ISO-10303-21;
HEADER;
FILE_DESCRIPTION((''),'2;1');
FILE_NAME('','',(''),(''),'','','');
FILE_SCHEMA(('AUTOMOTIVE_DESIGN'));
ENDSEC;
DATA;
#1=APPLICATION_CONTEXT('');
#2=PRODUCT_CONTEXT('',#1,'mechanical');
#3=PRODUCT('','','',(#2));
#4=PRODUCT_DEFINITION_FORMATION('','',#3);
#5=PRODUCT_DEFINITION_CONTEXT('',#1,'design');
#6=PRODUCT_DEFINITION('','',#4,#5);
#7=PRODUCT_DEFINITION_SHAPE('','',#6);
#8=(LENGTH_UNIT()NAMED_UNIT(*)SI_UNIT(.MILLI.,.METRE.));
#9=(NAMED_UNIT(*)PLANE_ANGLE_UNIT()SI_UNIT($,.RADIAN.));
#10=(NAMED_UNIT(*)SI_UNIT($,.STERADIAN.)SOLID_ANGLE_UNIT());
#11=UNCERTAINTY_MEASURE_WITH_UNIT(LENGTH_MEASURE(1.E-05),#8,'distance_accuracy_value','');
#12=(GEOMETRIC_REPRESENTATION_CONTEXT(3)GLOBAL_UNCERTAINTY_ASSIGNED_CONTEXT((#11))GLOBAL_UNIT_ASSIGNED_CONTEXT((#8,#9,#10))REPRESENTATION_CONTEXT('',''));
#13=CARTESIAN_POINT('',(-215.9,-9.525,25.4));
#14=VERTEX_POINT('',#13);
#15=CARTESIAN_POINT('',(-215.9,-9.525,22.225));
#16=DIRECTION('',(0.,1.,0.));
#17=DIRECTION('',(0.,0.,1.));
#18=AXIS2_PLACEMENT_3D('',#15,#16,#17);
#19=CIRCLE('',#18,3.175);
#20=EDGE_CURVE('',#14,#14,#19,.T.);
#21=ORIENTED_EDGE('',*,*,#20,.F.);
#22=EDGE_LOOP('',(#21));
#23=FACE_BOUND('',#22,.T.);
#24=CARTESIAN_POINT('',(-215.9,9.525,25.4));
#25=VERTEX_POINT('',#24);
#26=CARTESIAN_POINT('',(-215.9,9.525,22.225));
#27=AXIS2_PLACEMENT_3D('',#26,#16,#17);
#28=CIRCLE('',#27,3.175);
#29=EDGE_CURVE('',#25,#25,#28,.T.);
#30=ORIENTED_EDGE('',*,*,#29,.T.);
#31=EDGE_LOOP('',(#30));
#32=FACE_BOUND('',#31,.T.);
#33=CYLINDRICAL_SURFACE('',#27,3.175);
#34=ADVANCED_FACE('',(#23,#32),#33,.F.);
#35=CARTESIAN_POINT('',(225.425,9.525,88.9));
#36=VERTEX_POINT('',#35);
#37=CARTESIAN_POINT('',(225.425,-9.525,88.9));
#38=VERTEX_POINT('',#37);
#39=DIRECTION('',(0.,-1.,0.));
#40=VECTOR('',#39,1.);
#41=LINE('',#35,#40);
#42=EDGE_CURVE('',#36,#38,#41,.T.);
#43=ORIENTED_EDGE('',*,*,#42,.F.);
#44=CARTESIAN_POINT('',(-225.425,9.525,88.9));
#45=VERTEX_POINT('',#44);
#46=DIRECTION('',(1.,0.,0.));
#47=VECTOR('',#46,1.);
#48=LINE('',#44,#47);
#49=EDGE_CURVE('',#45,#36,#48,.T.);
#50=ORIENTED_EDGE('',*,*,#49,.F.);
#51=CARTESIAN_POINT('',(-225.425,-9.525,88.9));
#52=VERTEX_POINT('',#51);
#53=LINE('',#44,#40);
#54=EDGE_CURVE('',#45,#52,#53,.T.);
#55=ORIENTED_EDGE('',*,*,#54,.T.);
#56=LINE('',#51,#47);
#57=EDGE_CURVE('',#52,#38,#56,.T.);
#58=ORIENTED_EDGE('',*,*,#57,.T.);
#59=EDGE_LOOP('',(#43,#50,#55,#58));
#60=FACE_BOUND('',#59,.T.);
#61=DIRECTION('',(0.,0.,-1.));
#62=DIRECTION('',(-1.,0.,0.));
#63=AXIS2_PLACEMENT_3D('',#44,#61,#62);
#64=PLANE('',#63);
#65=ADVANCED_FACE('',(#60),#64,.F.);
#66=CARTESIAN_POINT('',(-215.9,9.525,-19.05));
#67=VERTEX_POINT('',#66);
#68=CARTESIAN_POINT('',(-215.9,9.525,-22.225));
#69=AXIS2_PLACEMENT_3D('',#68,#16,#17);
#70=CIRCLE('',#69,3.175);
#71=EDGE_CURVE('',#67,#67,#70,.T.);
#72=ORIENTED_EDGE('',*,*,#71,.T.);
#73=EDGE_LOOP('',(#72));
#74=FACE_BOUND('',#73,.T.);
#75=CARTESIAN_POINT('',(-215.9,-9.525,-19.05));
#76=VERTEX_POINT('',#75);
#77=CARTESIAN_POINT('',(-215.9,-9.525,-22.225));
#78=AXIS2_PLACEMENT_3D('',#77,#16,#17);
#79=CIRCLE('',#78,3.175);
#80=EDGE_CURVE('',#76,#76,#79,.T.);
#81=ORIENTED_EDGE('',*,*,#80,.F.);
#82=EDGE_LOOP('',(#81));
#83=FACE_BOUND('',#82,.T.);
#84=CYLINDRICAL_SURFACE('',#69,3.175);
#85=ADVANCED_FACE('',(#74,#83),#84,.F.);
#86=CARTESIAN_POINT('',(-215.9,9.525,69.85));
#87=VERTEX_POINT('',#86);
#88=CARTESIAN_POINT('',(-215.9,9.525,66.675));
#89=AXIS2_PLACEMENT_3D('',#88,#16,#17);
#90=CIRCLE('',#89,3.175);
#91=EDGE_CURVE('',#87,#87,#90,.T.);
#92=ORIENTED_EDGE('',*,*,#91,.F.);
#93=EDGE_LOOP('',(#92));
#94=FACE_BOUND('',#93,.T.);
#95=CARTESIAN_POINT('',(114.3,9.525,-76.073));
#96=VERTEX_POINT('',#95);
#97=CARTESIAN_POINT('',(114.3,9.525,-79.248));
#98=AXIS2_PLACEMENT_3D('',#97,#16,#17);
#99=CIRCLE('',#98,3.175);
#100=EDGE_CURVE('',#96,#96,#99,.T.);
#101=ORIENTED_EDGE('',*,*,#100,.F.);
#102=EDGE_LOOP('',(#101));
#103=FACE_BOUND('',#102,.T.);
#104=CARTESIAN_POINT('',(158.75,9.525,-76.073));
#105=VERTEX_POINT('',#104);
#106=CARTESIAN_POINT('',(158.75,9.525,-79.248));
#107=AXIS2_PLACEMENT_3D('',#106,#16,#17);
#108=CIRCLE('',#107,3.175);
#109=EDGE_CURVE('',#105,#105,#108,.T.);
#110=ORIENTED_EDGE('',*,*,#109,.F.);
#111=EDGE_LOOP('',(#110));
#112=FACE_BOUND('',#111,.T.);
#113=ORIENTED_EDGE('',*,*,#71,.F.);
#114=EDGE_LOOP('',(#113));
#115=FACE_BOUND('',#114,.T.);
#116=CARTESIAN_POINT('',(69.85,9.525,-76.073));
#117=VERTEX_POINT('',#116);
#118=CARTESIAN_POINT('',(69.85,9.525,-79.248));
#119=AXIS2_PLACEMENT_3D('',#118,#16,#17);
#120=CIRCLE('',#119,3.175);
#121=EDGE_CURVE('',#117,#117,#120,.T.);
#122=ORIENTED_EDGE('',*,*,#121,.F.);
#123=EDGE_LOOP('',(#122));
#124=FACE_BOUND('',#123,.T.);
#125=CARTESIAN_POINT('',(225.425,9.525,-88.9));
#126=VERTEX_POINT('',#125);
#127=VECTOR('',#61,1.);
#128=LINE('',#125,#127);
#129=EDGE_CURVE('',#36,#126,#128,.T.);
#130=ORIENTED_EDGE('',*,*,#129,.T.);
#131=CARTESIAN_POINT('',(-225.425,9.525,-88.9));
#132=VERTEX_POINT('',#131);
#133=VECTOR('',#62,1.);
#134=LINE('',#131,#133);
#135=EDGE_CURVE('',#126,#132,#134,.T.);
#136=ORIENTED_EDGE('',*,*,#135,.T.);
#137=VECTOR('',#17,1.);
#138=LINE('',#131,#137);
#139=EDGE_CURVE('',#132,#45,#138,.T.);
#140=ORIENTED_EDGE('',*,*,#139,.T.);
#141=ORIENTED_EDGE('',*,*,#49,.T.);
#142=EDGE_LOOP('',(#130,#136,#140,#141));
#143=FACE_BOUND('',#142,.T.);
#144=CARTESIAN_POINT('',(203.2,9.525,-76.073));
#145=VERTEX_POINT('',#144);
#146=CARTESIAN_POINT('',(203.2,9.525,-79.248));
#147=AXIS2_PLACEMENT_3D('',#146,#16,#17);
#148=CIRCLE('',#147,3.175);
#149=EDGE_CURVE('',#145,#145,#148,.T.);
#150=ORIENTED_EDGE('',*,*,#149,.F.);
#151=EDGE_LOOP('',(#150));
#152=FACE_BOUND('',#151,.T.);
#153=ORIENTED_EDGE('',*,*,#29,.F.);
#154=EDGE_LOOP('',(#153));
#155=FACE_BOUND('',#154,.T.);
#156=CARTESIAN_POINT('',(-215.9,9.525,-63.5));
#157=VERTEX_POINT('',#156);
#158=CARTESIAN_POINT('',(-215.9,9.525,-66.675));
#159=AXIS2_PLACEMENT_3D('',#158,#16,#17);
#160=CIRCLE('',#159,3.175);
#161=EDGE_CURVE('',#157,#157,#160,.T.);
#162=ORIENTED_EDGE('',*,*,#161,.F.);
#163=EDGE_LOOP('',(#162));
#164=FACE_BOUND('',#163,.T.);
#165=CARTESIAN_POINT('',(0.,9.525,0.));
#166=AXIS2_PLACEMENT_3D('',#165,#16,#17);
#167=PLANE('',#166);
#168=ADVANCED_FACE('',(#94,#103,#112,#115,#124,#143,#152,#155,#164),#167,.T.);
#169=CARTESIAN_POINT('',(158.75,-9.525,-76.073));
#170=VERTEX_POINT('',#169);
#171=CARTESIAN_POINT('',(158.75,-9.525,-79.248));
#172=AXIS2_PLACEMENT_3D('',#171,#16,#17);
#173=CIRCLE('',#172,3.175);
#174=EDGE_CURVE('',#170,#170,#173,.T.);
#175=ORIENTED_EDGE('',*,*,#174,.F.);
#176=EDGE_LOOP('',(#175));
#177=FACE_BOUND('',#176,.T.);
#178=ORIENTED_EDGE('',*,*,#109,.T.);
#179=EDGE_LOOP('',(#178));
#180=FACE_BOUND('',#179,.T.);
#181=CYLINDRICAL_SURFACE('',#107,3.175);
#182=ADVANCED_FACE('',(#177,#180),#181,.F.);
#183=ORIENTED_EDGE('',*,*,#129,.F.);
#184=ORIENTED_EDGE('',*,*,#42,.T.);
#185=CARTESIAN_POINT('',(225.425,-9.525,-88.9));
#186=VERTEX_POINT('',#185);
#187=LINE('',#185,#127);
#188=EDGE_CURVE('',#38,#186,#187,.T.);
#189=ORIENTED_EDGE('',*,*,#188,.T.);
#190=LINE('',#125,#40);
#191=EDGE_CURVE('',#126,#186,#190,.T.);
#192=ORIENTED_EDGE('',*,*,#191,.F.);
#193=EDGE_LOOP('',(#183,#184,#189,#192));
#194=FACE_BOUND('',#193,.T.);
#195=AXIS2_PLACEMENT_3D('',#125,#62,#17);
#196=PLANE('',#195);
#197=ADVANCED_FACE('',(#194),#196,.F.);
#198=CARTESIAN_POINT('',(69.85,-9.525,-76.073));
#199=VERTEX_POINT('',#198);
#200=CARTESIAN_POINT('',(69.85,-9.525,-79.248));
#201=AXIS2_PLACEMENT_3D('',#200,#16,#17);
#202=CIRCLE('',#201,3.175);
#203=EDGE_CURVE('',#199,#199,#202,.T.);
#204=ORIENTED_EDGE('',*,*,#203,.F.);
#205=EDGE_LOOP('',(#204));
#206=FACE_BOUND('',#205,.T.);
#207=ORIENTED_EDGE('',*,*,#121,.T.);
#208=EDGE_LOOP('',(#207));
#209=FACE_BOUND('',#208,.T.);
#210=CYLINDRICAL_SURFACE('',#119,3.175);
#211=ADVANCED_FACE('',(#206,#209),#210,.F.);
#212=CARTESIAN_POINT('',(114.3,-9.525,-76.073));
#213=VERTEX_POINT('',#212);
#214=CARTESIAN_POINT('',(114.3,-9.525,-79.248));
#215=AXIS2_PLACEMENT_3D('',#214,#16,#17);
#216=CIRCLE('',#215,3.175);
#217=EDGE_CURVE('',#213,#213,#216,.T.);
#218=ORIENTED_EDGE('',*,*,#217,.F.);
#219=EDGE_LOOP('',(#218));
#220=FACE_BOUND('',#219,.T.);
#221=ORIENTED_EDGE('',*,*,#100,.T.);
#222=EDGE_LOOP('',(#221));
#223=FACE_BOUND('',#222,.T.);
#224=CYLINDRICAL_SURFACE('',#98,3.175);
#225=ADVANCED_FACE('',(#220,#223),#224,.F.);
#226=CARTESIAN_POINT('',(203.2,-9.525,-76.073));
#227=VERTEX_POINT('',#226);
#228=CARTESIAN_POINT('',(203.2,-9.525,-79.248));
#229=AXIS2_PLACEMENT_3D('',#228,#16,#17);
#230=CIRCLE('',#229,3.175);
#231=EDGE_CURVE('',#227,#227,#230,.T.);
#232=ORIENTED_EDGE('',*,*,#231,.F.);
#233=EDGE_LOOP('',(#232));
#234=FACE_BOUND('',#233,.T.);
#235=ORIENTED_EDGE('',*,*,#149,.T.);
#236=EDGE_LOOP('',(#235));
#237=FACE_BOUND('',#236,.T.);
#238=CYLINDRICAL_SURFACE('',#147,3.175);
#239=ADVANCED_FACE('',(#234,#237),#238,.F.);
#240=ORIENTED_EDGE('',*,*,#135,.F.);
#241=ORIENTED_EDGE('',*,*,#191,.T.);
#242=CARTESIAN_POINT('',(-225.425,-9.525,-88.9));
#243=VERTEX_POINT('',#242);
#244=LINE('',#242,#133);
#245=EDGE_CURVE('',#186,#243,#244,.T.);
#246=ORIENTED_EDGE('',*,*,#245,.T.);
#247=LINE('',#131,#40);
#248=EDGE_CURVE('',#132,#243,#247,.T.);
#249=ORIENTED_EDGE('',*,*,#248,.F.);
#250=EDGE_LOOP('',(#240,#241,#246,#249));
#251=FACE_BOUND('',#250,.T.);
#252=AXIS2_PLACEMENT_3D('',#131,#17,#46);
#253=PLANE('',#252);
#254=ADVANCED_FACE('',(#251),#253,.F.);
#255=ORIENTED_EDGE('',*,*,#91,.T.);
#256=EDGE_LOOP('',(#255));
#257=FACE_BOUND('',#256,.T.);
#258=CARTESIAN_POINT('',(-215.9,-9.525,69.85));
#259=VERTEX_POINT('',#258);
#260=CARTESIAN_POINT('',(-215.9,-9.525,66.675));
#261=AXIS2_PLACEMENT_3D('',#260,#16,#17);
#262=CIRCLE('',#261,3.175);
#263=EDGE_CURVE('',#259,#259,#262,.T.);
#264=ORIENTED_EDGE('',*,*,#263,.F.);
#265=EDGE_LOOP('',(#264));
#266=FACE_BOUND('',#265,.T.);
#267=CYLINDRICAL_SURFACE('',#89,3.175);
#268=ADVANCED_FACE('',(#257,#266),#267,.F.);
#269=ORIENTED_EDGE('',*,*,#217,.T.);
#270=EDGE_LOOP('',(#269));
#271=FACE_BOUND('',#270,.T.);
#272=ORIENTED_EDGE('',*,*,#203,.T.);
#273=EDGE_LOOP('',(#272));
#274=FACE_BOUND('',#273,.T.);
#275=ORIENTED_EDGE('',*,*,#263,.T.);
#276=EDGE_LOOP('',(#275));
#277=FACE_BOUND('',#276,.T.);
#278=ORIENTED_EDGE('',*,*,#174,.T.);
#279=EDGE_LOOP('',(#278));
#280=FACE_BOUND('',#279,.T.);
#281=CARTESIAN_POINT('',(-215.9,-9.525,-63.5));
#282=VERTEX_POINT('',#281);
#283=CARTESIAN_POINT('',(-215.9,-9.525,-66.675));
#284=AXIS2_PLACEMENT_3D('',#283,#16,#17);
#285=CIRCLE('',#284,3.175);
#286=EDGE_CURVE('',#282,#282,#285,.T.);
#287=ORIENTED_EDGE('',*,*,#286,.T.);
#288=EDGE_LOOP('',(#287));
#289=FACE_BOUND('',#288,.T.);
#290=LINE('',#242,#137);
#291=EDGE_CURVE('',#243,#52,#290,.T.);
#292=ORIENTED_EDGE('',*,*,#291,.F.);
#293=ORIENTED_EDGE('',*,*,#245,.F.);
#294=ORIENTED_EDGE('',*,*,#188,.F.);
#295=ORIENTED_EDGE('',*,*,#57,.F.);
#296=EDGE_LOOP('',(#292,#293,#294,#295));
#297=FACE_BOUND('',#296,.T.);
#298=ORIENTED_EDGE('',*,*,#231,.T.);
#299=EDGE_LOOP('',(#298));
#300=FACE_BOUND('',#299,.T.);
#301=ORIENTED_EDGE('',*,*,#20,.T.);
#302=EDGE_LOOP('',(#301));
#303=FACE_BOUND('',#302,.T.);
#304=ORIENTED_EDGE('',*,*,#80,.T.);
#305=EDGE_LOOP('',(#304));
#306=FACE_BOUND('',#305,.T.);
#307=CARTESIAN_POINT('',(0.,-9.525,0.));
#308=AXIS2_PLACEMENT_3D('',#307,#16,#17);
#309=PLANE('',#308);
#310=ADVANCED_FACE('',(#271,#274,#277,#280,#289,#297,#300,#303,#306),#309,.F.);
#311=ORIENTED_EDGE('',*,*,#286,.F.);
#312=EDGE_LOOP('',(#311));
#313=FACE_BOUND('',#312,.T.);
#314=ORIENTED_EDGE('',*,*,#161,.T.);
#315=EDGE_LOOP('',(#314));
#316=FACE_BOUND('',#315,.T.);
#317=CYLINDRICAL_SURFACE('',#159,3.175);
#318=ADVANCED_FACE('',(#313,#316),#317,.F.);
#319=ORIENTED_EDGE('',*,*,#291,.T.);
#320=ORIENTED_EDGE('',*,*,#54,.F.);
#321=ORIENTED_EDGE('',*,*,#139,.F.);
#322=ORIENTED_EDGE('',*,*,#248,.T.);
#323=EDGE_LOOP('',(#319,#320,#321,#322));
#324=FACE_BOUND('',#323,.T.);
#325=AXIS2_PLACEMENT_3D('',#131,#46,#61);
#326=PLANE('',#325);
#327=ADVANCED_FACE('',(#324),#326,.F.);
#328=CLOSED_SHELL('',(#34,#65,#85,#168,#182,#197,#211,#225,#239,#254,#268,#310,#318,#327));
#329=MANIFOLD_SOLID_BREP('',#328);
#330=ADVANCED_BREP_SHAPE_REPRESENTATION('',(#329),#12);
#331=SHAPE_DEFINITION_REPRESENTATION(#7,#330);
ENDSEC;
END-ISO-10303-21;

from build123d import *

# Parameters (mm, degrees)
SKETCH1_W                       = 450.85
SKETCH1_H                       = 177.8
BOSS_EXTRUDE1_DEPTH             = 9.525
F_1_4_0_25_DIAMETER_HOLE2_D     = 6.35
F_1_4_0_25_DIAMETER_HOLE2_DEPTH = 25.4
F_1_4_0_25_DIAMETER_HOLE2_TIP   = 1.907732465
F_1_4_0_25_DIAMETER_HOLE3_D     = 6.35
F_1_4_0_25_DIAMETER_HOLE3_DEPTH = 25.4
F_1_4_0_25_DIAMETER_HOLE3_TIP   = 1.907732465


with BuildPart() as part:
    # Sketch1 → Boss-Extrude1 (new body, symmetric)
    with BuildSketch(Plane(origin=(0, 0, 0), x_dir=(1, 0, 0), z_dir=(0, 1, 0))):
        Rectangle(SKETCH1_W, SKETCH1_H)
    extrude(amount=BOSS_EXTRUDE1_DEPTH, both=True)

    # 1/4 (0.25) Diameter Hole2
    with Locations(Plane(origin=(0, 9.525, 0), x_dir=(1, 0, 0), z_dir=(0, 1, 0))):
        with Locations((-215.9, 66.675), (-215.9, 22.225), (-215.9, -22.225), (-215.9, -66.675)):
            Hole(F_1_4_0_25_DIAMETER_HOLE2_D / 2, depth=F_1_4_0_25_DIAMETER_HOLE2_DEPTH)
            with Locations((0, 0, -(F_1_4_0_25_DIAMETER_HOLE2_DEPTH + F_1_4_0_25_DIAMETER_HOLE2_TIP / 2))):  # 118° drill point
                Cone(0, F_1_4_0_25_DIAMETER_HOLE2_D / 2, F_1_4_0_25_DIAMETER_HOLE2_TIP, mode=Mode.SUBTRACT)

    # 1/4 (0.25) Diameter Hole3
    with Locations(Plane(origin=(0, 9.525, 0), x_dir=(1, 0, 0), z_dir=(0, 1, 0))):
        with Locations((203.2, 79.248), (158.75, 79.248), (114.3, 79.248), (69.85, 79.248)):
            Hole(F_1_4_0_25_DIAMETER_HOLE3_D / 2, depth=F_1_4_0_25_DIAMETER_HOLE3_DEPTH)
            with Locations((0, 0, -(F_1_4_0_25_DIAMETER_HOLE3_DEPTH + F_1_4_0_25_DIAMETER_HOLE3_TIP / 2))):  # 118° drill point
                Cone(0, F_1_4_0_25_DIAMETER_HOLE3_D / 2, F_1_4_0_25_DIAMETER_HOLE3_TIP, mode=Mode.SUBTRACT)


solid = part.part
